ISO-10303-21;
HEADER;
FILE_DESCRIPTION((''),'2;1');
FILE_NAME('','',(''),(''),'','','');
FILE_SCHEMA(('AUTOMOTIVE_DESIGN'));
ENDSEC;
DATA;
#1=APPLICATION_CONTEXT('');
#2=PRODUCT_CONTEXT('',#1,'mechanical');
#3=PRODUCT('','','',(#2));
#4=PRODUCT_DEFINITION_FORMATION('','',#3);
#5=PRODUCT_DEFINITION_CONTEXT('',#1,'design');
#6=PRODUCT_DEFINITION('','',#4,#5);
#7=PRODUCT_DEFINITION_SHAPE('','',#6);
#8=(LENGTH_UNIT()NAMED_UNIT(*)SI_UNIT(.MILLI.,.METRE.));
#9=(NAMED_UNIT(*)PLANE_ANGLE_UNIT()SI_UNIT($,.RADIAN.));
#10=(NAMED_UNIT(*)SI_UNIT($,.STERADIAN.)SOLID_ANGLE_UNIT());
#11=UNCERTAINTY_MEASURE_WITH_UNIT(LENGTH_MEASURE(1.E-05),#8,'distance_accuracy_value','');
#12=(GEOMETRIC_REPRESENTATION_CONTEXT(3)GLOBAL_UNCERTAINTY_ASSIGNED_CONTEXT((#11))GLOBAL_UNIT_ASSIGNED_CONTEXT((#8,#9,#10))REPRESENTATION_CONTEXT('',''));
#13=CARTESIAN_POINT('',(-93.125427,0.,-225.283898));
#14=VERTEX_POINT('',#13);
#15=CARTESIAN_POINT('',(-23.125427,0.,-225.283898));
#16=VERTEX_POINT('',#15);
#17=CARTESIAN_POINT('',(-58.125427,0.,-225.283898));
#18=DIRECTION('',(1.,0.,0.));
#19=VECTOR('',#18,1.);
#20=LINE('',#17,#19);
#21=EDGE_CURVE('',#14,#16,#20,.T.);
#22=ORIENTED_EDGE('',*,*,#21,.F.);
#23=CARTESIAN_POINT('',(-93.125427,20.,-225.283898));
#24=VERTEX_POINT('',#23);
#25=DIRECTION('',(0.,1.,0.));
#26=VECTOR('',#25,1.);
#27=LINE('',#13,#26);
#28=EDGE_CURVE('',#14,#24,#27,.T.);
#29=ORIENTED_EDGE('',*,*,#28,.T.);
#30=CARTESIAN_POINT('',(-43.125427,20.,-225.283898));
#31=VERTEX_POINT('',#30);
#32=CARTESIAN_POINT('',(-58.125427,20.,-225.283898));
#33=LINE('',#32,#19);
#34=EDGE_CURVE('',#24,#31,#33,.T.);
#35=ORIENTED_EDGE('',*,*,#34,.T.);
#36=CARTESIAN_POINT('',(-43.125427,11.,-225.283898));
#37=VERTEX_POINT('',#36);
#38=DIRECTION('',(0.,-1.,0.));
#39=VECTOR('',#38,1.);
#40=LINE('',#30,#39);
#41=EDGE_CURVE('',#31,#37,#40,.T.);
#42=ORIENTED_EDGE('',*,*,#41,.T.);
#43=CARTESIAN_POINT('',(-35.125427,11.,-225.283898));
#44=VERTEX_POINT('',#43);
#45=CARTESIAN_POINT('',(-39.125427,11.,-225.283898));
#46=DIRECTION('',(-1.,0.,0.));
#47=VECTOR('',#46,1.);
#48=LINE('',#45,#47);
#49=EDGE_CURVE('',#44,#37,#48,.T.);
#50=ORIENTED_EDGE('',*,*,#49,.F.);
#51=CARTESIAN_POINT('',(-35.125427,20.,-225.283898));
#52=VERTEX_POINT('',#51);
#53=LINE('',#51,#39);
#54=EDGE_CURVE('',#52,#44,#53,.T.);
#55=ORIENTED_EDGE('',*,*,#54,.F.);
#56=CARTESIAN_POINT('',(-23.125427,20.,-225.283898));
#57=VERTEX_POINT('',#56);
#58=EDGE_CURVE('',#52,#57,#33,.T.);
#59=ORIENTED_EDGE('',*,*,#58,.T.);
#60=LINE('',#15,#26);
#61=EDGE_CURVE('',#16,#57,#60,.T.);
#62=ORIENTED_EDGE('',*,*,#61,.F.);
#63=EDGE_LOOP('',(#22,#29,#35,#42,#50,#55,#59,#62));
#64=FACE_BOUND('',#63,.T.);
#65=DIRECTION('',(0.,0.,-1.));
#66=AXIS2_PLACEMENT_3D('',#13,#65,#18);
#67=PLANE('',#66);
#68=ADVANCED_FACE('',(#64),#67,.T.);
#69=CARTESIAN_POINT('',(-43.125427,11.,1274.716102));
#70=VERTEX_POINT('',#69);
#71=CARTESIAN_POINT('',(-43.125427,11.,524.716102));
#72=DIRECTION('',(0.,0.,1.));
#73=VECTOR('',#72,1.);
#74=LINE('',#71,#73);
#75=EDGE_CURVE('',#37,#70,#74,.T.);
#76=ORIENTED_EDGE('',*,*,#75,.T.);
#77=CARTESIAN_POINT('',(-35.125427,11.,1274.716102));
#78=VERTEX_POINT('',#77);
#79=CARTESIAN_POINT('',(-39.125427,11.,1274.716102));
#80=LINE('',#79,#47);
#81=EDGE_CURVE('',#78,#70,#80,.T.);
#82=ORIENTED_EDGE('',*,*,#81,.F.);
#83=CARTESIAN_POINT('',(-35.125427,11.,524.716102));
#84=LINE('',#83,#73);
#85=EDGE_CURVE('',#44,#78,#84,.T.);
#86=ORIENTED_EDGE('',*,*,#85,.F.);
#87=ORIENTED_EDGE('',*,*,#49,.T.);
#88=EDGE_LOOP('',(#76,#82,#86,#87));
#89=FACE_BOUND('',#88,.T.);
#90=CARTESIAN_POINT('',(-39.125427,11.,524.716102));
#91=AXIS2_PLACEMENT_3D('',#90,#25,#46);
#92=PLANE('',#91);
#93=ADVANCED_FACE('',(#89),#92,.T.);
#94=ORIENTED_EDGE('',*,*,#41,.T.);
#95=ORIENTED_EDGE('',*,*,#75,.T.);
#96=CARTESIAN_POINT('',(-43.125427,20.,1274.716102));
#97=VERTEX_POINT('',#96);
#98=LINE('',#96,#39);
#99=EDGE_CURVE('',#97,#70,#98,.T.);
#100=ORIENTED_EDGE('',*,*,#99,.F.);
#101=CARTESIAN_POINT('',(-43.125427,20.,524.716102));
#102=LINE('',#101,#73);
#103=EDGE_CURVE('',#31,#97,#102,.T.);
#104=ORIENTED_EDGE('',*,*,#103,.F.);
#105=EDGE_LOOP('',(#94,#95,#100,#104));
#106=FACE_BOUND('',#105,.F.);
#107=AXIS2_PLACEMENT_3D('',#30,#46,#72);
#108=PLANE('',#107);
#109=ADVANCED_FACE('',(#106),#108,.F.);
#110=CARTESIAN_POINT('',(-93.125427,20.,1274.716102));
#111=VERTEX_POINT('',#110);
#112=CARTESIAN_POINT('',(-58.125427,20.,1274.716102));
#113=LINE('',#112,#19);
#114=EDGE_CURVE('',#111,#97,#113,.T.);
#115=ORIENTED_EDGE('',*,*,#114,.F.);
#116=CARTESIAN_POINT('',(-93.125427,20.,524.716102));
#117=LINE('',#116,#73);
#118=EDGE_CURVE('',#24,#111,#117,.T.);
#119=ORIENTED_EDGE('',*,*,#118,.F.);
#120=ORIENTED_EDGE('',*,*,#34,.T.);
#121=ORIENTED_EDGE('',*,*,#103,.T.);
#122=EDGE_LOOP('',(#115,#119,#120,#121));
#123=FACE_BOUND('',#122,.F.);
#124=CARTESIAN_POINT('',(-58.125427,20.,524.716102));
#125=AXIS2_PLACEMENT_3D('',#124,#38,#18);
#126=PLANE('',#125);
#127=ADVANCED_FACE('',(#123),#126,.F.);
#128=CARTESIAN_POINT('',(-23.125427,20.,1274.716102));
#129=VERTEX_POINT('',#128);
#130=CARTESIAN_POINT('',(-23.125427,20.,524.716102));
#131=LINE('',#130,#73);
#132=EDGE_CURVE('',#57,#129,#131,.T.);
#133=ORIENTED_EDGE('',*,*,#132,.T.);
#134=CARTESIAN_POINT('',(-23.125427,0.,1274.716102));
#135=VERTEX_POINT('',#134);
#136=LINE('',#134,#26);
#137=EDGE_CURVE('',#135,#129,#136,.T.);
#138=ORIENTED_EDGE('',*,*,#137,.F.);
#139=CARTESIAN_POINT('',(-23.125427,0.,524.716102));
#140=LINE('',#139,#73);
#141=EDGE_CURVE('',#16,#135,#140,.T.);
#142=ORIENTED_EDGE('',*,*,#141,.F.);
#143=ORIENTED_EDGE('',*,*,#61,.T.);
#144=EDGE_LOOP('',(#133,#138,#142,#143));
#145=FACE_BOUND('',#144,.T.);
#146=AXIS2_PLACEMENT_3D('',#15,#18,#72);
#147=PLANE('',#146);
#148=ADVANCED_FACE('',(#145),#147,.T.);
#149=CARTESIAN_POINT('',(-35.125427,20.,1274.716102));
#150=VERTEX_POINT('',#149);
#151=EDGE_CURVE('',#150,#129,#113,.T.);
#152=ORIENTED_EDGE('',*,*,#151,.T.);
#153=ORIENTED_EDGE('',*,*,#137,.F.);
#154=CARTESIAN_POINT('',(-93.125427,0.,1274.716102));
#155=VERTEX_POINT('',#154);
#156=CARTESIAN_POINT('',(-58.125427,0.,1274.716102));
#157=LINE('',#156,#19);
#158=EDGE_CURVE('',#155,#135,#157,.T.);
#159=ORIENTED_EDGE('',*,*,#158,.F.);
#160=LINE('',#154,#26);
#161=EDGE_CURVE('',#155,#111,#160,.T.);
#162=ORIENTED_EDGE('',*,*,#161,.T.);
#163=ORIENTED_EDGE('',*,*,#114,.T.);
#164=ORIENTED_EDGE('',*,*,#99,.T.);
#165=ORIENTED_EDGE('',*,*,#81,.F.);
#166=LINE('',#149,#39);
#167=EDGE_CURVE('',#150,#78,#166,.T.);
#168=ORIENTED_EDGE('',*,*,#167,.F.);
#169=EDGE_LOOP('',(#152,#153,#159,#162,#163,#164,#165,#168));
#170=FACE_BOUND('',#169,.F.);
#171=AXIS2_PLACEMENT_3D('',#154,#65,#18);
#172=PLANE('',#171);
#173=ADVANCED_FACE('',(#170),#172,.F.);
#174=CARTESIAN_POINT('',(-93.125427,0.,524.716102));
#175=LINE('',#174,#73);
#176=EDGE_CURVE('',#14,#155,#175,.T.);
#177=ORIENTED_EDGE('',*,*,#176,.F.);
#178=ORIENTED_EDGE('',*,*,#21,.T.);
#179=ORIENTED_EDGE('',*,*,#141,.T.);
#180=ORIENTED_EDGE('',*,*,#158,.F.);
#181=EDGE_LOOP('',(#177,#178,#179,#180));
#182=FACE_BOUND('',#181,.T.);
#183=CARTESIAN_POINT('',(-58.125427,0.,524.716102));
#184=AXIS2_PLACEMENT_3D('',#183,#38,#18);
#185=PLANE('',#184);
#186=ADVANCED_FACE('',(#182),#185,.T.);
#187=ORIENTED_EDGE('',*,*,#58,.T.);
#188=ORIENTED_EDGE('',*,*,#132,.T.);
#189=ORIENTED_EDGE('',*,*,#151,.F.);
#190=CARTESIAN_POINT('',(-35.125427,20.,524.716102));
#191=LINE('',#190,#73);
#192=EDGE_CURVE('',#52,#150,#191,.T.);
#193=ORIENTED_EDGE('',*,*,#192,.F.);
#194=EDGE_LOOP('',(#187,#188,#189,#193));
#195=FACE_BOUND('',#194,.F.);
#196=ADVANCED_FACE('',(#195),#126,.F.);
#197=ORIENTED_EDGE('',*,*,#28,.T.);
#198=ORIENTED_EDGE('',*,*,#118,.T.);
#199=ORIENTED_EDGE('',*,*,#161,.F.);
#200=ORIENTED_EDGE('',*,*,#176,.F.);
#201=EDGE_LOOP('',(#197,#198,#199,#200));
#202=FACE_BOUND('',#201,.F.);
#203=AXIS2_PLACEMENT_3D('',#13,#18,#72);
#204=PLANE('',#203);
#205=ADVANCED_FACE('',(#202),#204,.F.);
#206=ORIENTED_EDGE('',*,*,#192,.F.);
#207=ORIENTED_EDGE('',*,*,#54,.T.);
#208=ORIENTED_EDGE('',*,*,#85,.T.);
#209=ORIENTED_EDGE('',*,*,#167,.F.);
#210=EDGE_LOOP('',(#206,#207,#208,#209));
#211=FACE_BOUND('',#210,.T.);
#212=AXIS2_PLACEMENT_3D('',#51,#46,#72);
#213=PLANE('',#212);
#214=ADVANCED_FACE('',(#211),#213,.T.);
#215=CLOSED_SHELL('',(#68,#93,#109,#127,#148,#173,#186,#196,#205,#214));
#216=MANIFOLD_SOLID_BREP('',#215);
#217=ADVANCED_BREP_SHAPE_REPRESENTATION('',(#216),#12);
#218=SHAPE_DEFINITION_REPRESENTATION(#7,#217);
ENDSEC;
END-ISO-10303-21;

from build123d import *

# Parameters (mm, degrees)
F0_W     = 70
F0_H     = 1500
F1_DEPTH = 20
F2_W     = 8
F2_H     = 1500
F3_DEPTH = 9


with BuildPart() as f1:
    # F0 (on Front) → F1 (new body)
    with BuildSketch(Plane.XZ):
        with Locations((-58.125427, 524.716102)):
            Rectangle(F0_W, F0_H)
    extrude(amount=-F1_DEPTH)

    # F2 (on face) → F3 (cut)
    with BuildSketch(Plane(origin=(0, 20, 0), x_dir=(-1, 0, 0), z_dir=(0, 1, 0))):
        with Locations((39.125427, 524.716102)):
            Rectangle(F2_W, F2_H)
    extrude(amount=-F3_DEPTH, mode=Mode.SUBTRACT)


solid = f1.part
